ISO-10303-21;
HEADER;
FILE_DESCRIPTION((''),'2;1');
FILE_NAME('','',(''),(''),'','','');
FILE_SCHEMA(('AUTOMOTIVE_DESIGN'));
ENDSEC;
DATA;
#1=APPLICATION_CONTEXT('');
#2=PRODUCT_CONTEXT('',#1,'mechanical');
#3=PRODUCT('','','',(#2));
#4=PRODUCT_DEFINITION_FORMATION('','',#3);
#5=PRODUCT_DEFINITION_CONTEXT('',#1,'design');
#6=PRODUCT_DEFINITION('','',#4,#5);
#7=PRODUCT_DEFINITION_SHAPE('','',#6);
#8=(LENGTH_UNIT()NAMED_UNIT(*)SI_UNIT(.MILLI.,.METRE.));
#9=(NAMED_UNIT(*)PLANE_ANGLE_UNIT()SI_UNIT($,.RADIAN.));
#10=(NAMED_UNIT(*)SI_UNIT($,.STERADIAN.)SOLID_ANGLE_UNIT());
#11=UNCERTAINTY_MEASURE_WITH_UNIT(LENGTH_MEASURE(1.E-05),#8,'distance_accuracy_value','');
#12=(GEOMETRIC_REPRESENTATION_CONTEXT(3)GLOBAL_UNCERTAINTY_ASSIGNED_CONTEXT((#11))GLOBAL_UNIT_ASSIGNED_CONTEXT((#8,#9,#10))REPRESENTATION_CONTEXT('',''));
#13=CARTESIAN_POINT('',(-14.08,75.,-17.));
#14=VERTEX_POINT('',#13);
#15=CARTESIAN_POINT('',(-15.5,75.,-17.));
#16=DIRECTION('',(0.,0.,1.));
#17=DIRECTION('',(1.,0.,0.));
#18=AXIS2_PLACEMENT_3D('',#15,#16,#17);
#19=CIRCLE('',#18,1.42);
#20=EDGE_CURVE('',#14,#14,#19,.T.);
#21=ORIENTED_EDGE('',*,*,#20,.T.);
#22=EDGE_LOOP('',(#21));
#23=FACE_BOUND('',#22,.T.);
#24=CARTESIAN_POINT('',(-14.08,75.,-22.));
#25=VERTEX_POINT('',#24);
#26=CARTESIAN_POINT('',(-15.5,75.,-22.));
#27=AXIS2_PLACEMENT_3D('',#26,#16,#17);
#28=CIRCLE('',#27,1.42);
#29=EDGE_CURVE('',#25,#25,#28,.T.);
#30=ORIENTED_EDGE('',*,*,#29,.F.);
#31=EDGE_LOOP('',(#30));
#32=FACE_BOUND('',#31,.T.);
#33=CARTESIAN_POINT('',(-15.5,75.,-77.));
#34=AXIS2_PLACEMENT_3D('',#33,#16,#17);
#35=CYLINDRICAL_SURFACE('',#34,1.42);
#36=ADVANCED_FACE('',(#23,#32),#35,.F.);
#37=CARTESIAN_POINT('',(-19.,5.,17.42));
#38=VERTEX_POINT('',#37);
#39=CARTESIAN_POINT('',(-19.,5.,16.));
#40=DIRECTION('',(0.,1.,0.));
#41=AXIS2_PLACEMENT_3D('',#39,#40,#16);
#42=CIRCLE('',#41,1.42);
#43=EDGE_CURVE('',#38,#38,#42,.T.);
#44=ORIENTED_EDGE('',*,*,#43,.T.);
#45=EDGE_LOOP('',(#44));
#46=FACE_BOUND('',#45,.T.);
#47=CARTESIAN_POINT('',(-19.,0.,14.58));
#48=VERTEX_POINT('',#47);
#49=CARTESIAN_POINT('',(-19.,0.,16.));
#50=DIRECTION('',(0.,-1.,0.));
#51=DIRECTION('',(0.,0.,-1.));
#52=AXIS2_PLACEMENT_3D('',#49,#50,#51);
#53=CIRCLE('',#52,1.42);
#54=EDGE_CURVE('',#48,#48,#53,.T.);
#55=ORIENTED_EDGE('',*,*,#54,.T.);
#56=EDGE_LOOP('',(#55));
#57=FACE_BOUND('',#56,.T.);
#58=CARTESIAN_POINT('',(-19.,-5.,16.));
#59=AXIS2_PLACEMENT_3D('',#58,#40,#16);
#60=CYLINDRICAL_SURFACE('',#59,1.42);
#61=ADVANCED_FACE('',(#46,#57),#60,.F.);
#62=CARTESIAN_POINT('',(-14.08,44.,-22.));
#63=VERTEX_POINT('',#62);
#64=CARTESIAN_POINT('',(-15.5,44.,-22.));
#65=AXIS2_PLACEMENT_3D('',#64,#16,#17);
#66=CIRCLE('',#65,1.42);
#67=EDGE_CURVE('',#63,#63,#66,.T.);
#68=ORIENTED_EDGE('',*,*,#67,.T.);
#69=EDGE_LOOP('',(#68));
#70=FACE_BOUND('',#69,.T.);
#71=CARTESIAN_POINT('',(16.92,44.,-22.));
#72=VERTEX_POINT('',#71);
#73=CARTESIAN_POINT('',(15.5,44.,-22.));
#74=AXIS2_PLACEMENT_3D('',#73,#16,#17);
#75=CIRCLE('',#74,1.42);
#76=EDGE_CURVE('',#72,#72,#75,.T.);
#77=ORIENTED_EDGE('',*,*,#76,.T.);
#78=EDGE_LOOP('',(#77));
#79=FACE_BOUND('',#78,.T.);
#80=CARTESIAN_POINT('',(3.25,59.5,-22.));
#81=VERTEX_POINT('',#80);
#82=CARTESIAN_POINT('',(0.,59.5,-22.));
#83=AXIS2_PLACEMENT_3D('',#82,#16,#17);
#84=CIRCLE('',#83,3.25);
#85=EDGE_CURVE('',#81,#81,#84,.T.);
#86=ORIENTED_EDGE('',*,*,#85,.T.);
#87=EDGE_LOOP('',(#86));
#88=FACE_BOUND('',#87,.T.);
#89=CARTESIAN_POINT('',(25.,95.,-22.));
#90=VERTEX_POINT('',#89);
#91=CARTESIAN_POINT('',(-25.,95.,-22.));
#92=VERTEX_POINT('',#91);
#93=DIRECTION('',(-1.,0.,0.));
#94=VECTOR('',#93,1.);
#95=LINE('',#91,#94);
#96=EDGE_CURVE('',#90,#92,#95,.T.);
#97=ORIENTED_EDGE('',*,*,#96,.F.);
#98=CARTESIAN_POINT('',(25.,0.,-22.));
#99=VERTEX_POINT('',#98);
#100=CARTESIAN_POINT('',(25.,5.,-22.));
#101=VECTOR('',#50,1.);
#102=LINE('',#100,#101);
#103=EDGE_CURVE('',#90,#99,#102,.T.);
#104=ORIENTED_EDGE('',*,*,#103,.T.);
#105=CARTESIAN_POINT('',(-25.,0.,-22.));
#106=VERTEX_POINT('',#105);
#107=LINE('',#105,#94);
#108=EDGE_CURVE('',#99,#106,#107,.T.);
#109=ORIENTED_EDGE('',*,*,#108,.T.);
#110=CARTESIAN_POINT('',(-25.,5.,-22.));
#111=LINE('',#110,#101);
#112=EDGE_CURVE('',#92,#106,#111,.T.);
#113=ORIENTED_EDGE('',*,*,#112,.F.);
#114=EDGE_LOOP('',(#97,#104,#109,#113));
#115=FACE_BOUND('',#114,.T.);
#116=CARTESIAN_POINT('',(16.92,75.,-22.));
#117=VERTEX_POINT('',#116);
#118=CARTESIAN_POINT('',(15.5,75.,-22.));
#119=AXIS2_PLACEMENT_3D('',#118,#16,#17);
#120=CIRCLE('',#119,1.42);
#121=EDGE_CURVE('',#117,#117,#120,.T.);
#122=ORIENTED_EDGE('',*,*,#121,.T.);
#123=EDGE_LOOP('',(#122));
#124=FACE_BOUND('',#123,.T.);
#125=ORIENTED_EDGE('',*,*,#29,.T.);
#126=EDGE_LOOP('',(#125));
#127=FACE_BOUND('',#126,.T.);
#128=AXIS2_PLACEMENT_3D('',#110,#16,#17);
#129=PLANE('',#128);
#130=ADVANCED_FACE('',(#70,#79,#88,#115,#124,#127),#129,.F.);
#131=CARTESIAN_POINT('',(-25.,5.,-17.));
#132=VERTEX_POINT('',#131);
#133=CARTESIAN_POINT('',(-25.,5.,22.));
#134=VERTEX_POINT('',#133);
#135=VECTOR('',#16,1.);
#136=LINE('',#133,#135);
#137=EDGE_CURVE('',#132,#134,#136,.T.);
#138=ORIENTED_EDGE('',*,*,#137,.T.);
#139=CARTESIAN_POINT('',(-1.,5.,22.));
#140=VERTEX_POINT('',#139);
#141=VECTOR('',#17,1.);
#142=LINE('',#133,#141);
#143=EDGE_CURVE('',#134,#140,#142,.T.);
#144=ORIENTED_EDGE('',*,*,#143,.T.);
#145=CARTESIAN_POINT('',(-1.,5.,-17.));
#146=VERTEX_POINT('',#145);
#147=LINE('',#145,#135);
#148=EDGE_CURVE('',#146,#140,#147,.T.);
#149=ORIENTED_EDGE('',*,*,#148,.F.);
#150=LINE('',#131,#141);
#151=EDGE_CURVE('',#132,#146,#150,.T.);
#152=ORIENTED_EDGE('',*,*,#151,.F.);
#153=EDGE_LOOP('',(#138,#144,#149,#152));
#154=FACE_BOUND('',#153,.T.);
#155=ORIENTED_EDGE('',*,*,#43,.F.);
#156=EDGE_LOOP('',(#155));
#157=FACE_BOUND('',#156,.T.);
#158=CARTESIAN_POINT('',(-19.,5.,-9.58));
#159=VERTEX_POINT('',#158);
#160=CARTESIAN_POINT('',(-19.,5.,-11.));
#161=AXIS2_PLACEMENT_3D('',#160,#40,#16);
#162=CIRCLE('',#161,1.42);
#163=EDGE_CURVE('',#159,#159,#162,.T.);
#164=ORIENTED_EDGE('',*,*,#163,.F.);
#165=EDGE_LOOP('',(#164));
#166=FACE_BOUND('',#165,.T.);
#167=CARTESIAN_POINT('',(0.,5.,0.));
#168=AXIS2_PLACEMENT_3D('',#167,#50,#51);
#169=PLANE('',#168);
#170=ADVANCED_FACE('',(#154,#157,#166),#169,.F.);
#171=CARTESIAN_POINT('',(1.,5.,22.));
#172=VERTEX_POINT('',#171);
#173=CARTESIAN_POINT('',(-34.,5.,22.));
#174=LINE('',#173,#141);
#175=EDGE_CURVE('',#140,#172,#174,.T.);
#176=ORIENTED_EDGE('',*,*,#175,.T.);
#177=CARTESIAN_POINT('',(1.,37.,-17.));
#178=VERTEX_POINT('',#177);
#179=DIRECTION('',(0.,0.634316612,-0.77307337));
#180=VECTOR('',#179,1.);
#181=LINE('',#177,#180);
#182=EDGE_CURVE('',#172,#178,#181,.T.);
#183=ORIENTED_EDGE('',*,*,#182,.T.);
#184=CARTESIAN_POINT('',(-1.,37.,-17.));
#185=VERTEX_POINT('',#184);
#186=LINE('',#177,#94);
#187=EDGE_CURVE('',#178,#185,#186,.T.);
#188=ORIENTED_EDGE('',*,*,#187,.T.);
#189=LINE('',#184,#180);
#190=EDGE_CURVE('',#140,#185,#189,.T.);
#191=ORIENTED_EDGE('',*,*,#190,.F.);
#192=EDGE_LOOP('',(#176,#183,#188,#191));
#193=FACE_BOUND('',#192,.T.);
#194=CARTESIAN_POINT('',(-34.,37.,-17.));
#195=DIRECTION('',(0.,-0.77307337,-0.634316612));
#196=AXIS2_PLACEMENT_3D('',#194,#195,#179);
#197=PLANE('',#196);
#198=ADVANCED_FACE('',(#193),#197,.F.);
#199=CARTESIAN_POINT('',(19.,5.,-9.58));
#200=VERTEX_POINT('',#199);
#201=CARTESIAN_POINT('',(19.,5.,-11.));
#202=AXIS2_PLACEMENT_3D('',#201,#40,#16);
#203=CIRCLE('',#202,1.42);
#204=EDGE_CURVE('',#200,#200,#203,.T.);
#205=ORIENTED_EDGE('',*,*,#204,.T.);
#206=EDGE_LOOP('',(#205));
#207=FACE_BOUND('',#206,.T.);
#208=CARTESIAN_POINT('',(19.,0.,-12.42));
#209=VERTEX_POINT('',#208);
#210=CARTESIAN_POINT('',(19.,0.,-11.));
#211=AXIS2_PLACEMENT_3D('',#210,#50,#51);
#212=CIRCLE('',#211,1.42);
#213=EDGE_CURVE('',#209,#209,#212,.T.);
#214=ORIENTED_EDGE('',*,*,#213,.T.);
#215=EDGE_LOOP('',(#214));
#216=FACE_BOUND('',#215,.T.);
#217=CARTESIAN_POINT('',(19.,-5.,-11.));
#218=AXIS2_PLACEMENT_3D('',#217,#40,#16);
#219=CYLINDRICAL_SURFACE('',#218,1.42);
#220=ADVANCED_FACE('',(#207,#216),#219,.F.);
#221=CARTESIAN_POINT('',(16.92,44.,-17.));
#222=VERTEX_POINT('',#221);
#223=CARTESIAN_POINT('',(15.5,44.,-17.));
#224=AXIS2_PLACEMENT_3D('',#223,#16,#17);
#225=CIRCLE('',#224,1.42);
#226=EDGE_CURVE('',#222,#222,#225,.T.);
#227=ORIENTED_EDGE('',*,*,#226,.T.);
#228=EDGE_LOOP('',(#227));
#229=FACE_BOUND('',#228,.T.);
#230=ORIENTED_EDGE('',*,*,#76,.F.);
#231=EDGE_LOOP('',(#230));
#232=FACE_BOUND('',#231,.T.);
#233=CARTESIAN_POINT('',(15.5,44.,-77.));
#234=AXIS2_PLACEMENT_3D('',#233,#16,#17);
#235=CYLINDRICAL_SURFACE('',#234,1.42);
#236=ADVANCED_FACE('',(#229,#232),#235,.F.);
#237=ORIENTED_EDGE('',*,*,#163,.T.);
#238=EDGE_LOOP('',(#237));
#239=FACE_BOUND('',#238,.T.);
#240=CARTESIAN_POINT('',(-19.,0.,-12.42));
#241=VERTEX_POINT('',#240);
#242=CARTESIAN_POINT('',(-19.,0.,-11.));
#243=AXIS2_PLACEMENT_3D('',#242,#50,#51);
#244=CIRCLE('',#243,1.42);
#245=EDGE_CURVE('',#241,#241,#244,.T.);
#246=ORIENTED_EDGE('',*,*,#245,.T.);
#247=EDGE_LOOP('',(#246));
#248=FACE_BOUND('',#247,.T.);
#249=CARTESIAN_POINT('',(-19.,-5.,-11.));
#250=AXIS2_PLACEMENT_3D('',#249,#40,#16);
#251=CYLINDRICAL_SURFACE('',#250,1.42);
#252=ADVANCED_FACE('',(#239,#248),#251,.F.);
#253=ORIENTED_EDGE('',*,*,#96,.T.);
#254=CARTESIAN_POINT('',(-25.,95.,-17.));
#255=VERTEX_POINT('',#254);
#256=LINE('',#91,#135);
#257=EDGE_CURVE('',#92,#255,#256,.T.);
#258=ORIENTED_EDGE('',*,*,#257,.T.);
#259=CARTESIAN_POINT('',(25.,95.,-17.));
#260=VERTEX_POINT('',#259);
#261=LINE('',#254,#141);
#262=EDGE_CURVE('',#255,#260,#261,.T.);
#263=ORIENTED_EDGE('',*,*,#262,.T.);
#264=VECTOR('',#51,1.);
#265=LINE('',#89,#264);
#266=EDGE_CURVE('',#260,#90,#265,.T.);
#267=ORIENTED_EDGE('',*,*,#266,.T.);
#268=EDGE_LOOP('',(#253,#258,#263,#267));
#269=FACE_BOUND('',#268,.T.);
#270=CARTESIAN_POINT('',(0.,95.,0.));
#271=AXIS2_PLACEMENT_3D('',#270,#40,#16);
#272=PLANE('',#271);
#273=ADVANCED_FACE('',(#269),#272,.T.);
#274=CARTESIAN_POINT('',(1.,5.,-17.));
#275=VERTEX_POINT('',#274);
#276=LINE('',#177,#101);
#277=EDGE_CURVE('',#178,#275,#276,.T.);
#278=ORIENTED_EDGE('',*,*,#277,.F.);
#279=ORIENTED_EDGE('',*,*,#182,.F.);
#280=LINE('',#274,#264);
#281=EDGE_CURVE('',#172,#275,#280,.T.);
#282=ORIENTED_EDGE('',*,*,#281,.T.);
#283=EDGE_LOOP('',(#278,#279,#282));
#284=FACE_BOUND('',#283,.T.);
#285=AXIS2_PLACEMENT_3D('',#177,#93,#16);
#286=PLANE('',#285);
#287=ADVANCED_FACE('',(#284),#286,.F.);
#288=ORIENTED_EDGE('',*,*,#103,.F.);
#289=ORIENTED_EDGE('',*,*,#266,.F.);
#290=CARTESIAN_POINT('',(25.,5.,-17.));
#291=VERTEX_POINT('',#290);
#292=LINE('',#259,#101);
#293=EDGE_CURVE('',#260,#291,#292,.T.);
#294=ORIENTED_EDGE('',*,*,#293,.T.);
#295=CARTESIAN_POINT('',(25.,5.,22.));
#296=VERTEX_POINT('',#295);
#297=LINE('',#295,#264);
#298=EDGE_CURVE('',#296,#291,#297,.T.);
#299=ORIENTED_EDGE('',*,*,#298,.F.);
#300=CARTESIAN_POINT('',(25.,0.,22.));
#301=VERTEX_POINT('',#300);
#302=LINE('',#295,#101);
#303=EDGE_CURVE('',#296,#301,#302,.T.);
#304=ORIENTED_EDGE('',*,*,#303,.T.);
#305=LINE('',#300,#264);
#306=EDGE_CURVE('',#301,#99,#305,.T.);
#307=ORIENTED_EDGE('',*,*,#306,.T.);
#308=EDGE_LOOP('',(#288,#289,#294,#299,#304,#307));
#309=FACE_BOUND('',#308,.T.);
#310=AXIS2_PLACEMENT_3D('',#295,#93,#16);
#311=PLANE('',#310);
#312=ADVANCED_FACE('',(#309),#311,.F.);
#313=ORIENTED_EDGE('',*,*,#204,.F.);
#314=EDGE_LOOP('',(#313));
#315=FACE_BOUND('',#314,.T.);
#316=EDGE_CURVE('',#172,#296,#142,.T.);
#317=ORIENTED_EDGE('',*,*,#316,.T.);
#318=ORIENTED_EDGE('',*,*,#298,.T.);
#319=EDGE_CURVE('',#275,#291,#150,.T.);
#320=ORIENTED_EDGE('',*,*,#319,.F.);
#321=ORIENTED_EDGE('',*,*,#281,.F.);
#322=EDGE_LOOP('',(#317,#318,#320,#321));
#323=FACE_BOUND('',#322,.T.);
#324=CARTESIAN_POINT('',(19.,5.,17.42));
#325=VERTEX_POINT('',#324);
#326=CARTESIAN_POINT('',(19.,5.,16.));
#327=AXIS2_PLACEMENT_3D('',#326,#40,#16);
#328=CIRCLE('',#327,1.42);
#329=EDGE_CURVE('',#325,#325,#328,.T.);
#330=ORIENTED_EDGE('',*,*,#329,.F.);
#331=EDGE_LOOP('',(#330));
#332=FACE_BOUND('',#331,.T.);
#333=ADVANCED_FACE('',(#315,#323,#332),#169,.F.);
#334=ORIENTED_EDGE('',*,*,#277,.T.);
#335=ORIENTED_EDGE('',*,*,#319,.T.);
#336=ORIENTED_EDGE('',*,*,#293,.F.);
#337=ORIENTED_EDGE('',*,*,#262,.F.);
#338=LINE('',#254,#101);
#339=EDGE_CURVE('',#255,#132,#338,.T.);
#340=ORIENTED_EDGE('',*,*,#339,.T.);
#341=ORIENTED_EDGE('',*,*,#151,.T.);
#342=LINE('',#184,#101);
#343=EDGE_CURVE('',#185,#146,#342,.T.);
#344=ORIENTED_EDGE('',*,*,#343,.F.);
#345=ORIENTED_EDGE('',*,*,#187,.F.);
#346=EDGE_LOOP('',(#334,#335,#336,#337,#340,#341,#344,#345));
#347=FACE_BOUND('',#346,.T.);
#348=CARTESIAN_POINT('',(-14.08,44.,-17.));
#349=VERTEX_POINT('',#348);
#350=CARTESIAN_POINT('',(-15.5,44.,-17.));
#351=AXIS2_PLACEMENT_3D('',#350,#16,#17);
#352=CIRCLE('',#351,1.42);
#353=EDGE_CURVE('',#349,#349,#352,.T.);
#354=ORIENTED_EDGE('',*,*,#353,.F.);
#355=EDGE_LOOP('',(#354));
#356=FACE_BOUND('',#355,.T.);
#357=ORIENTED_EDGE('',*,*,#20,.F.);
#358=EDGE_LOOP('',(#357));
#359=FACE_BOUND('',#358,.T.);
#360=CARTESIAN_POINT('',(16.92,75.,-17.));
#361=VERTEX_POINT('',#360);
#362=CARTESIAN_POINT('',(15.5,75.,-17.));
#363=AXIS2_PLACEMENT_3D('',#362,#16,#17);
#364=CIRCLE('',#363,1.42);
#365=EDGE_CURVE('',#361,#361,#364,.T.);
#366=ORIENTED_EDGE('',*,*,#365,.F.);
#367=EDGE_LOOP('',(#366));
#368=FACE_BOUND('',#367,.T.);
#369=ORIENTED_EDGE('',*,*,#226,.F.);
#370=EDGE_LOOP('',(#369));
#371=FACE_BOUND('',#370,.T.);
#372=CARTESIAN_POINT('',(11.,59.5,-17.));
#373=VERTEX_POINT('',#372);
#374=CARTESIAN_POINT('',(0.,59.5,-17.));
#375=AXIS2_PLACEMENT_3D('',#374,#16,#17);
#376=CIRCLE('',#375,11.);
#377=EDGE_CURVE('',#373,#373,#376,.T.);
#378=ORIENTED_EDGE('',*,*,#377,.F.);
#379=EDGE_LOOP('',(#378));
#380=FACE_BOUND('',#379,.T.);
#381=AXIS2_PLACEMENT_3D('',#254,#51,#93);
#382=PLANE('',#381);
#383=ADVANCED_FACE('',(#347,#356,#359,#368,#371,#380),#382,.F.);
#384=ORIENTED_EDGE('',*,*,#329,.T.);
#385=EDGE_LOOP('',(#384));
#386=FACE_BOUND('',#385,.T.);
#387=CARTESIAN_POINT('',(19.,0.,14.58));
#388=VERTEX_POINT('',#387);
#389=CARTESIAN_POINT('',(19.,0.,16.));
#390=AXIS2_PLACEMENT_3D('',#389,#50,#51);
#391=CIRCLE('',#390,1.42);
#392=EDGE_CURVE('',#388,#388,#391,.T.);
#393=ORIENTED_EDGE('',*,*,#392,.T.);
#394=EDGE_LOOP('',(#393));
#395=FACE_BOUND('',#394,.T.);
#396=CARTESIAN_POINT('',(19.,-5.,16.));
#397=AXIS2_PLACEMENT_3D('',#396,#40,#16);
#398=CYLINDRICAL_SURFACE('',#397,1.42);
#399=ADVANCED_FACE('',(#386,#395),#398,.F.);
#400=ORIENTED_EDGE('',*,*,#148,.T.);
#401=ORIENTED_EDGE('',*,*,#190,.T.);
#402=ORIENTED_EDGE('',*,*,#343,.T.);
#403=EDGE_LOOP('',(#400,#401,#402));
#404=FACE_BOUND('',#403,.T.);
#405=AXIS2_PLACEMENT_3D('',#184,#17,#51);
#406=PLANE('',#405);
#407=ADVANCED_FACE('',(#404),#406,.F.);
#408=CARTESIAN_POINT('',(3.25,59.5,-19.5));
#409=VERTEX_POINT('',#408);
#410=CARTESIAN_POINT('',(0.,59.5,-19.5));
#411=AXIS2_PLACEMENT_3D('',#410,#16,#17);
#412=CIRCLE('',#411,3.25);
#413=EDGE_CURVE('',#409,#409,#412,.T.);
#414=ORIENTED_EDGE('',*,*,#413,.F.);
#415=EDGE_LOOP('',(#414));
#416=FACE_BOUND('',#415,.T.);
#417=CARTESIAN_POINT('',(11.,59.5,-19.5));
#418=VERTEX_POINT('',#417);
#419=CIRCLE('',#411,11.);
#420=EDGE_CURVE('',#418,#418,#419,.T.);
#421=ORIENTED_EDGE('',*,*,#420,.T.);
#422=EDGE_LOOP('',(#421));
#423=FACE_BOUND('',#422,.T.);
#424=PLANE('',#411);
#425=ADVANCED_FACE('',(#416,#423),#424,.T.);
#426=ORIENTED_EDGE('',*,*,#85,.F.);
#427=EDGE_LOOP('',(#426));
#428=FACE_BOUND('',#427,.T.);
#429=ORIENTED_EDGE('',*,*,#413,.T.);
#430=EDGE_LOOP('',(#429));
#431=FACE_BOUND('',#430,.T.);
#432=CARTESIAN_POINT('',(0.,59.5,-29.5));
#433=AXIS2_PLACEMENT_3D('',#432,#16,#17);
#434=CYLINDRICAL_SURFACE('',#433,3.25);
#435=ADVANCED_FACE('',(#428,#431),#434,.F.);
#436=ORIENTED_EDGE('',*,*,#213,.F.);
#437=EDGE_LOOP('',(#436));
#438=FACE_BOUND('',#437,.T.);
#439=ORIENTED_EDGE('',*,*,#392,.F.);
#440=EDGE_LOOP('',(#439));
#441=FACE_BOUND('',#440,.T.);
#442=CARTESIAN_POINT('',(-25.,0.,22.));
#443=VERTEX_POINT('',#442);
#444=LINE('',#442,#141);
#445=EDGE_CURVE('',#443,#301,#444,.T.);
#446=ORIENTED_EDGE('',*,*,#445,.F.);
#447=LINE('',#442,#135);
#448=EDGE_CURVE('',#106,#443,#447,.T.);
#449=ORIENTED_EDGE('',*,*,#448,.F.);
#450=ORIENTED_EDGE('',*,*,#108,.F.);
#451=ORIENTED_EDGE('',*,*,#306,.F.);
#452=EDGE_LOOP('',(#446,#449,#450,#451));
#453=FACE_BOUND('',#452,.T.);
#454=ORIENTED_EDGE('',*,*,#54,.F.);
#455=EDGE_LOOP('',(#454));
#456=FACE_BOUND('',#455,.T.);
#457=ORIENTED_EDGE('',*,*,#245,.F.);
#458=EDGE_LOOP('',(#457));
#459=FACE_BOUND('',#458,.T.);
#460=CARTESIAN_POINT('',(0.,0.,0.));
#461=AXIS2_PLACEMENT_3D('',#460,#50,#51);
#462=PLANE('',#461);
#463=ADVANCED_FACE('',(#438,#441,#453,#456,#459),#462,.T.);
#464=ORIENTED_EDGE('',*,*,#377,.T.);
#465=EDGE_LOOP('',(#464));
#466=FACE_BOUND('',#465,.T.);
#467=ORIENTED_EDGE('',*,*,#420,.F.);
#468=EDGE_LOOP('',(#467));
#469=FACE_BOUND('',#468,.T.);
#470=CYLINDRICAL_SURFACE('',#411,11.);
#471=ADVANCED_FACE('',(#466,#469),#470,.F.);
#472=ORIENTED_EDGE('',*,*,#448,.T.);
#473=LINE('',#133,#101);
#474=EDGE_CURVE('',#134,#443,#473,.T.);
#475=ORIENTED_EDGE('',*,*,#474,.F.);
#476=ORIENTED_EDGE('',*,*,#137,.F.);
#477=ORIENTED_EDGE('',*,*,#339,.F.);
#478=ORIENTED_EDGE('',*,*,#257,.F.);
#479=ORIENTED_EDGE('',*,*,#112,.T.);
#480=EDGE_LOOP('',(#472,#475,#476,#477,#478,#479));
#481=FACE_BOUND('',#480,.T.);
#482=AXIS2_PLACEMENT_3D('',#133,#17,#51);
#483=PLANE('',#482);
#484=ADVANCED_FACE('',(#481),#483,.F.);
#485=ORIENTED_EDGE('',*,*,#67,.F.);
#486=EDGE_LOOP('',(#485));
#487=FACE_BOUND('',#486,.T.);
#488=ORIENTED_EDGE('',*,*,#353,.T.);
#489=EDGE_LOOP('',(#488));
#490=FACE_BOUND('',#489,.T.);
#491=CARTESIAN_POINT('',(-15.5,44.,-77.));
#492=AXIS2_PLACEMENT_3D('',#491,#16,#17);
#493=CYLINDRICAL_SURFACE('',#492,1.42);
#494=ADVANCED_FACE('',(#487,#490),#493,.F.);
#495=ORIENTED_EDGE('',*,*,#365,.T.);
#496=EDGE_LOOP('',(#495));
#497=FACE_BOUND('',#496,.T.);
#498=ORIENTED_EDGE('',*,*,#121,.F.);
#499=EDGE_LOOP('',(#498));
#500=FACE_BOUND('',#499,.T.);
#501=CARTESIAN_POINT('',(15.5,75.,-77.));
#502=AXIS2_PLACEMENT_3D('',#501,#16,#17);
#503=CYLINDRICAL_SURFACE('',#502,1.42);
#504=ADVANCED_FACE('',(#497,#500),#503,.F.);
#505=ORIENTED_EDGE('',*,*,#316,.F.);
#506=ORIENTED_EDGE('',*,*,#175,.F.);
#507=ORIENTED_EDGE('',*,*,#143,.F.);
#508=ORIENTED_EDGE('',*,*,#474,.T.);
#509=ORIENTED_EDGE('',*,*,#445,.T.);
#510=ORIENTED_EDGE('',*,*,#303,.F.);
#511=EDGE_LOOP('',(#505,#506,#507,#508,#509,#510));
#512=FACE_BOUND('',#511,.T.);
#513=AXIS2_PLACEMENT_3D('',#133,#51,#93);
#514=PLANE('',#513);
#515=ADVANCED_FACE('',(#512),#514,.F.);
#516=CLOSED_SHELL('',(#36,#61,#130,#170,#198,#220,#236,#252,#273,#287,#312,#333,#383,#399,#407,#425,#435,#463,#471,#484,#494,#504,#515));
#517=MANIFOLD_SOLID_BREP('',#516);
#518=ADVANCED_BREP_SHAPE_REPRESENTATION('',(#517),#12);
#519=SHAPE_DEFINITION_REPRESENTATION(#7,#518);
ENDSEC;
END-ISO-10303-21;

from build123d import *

# Parameters (mm, degrees)
SKETCH1_W           = 50
SKETCH1_H           = 44
BOSS_EXTRUDE1_DEPTH = 5
SKETCH2_W           = 50
SKETCH2_H           = 5
BOSS_EXTRUDE2_DEPTH = 90
SKETCH3_R           = 1.42
CUT_EXTRUDE1_DEPTH  = 60
SKETCH4_R           = 11
CUT_EXTRUDE2_DEPTH  = 2.5
SKETCH5_R           = 3.25
CUT_EXTRUDE3_DEPTH  = 10
SKETCH6_R           = 1.42
CUT_EXTRUDE4_DEPTH  = 10
SKETCH8_W           = 2
SKETCH8_H           = 39
BOSS_EXTRUDE3_DEPTH = 32
CUT_EXTRUDE5_DEPTH  = 35


with BuildPart() as part:
    # Sketch1 → Boss-Extrude1 (new body)
    with BuildSketch(Plane(origin=(0, 0, 0), x_dir=(1, 0, 0), z_dir=(0, 1, 0))):
        Rectangle(SKETCH1_W, SKETCH1_H)
    extrude(amount=BOSS_EXTRUDE1_DEPTH)

    # Sketch2 → Boss-Extrude2 (add)
    with BuildSketch(Plane(origin=(0, 5, 0), x_dir=(1, 0, 0), z_dir=(0, 1, 0))):
        with Locations((0, 19.5)):
            Rectangle(SKETCH2_W, SKETCH2_H)
    extrude(amount=BOSS_EXTRUDE2_DEPTH)

    # Sketch3 → Cut-Extrude1 (cut)
    with BuildSketch(Plane.XY.offset(-17)):
        with Locations((-15.5, 44)):
            Circle(SKETCH3_R)
        with Locations((15.5, 44)):
            Circle(SKETCH3_R)
        with Locations((15.5, 75)):
            Circle(SKETCH3_R)
        with Locations((-15.5, 75)):
            Circle(SKETCH3_R)
    extrude(amount=-CUT_EXTRUDE1_DEPTH, mode=Mode.SUBTRACT)

    # Sketch4 → Cut-Extrude2 (cut)
    with BuildSketch(Plane.XY.offset(-17)):
        with Locations((0, 59.5)):
            Circle(SKETCH4_R)
    extrude(amount=-CUT_EXTRUDE2_DEPTH, mode=Mode.SUBTRACT)

    # Sketch5 → Cut-Extrude3 (cut)
    with BuildSketch(Plane.XY.offset(-19.5)):
        with Locations((0, 59.5)):
            Circle(SKETCH5_R)
    extrude(amount=-CUT_EXTRUDE3_DEPTH, mode=Mode.SUBTRACT)

    # Sketch6 → Cut-Extrude4 (cut)
    with BuildSketch(Plane(origin=(0, 5, 0), x_dir=(1, 0, 0), z_dir=(0, 1, 0))):
        with Locations(Location((-19, 11, 0), (0, 0, 270))):
            Circle(SKETCH6_R)
        with Locations(Location((-19, -16, 0), (0, 0, 270))):
            Circle(SKETCH6_R)
        with Locations(Location((19, -16, 0), (0, 0, 270))):
            Circle(SKETCH6_R)
        with Locations(Location((19, 11, 0), (0, 0, 270))):
            Circle(SKETCH6_R)
    extrude(amount=-CUT_EXTRUDE4_DEPTH, mode=Mode.SUBTRACT)

    # Sketch8 → Boss-Extrude3 (add)
    with BuildSketch(Plane(origin=(0, 5, 0), x_dir=(1, 0, 0), z_dir=(0, 1, 0))):
        with Locations((0, -2.5)):
            Rectangle(SKETCH8_W, SKETCH8_H)
    extrude(amount=BOSS_EXTRUDE3_DEPTH)

    # Sketch9 → Cut-Extrude5 (cut)
    with BuildSketch(Plane(origin=(1, 0, 0), x_dir=(0, 0, -1), z_dir=(1, 0, 0))):
        Polygon((17, 37), (-22, 5), (-22, 37), align=None)
    extrude(amount=-CUT_EXTRUDE5_DEPTH, mode=Mode.SUBTRACT)


solid = part.part
